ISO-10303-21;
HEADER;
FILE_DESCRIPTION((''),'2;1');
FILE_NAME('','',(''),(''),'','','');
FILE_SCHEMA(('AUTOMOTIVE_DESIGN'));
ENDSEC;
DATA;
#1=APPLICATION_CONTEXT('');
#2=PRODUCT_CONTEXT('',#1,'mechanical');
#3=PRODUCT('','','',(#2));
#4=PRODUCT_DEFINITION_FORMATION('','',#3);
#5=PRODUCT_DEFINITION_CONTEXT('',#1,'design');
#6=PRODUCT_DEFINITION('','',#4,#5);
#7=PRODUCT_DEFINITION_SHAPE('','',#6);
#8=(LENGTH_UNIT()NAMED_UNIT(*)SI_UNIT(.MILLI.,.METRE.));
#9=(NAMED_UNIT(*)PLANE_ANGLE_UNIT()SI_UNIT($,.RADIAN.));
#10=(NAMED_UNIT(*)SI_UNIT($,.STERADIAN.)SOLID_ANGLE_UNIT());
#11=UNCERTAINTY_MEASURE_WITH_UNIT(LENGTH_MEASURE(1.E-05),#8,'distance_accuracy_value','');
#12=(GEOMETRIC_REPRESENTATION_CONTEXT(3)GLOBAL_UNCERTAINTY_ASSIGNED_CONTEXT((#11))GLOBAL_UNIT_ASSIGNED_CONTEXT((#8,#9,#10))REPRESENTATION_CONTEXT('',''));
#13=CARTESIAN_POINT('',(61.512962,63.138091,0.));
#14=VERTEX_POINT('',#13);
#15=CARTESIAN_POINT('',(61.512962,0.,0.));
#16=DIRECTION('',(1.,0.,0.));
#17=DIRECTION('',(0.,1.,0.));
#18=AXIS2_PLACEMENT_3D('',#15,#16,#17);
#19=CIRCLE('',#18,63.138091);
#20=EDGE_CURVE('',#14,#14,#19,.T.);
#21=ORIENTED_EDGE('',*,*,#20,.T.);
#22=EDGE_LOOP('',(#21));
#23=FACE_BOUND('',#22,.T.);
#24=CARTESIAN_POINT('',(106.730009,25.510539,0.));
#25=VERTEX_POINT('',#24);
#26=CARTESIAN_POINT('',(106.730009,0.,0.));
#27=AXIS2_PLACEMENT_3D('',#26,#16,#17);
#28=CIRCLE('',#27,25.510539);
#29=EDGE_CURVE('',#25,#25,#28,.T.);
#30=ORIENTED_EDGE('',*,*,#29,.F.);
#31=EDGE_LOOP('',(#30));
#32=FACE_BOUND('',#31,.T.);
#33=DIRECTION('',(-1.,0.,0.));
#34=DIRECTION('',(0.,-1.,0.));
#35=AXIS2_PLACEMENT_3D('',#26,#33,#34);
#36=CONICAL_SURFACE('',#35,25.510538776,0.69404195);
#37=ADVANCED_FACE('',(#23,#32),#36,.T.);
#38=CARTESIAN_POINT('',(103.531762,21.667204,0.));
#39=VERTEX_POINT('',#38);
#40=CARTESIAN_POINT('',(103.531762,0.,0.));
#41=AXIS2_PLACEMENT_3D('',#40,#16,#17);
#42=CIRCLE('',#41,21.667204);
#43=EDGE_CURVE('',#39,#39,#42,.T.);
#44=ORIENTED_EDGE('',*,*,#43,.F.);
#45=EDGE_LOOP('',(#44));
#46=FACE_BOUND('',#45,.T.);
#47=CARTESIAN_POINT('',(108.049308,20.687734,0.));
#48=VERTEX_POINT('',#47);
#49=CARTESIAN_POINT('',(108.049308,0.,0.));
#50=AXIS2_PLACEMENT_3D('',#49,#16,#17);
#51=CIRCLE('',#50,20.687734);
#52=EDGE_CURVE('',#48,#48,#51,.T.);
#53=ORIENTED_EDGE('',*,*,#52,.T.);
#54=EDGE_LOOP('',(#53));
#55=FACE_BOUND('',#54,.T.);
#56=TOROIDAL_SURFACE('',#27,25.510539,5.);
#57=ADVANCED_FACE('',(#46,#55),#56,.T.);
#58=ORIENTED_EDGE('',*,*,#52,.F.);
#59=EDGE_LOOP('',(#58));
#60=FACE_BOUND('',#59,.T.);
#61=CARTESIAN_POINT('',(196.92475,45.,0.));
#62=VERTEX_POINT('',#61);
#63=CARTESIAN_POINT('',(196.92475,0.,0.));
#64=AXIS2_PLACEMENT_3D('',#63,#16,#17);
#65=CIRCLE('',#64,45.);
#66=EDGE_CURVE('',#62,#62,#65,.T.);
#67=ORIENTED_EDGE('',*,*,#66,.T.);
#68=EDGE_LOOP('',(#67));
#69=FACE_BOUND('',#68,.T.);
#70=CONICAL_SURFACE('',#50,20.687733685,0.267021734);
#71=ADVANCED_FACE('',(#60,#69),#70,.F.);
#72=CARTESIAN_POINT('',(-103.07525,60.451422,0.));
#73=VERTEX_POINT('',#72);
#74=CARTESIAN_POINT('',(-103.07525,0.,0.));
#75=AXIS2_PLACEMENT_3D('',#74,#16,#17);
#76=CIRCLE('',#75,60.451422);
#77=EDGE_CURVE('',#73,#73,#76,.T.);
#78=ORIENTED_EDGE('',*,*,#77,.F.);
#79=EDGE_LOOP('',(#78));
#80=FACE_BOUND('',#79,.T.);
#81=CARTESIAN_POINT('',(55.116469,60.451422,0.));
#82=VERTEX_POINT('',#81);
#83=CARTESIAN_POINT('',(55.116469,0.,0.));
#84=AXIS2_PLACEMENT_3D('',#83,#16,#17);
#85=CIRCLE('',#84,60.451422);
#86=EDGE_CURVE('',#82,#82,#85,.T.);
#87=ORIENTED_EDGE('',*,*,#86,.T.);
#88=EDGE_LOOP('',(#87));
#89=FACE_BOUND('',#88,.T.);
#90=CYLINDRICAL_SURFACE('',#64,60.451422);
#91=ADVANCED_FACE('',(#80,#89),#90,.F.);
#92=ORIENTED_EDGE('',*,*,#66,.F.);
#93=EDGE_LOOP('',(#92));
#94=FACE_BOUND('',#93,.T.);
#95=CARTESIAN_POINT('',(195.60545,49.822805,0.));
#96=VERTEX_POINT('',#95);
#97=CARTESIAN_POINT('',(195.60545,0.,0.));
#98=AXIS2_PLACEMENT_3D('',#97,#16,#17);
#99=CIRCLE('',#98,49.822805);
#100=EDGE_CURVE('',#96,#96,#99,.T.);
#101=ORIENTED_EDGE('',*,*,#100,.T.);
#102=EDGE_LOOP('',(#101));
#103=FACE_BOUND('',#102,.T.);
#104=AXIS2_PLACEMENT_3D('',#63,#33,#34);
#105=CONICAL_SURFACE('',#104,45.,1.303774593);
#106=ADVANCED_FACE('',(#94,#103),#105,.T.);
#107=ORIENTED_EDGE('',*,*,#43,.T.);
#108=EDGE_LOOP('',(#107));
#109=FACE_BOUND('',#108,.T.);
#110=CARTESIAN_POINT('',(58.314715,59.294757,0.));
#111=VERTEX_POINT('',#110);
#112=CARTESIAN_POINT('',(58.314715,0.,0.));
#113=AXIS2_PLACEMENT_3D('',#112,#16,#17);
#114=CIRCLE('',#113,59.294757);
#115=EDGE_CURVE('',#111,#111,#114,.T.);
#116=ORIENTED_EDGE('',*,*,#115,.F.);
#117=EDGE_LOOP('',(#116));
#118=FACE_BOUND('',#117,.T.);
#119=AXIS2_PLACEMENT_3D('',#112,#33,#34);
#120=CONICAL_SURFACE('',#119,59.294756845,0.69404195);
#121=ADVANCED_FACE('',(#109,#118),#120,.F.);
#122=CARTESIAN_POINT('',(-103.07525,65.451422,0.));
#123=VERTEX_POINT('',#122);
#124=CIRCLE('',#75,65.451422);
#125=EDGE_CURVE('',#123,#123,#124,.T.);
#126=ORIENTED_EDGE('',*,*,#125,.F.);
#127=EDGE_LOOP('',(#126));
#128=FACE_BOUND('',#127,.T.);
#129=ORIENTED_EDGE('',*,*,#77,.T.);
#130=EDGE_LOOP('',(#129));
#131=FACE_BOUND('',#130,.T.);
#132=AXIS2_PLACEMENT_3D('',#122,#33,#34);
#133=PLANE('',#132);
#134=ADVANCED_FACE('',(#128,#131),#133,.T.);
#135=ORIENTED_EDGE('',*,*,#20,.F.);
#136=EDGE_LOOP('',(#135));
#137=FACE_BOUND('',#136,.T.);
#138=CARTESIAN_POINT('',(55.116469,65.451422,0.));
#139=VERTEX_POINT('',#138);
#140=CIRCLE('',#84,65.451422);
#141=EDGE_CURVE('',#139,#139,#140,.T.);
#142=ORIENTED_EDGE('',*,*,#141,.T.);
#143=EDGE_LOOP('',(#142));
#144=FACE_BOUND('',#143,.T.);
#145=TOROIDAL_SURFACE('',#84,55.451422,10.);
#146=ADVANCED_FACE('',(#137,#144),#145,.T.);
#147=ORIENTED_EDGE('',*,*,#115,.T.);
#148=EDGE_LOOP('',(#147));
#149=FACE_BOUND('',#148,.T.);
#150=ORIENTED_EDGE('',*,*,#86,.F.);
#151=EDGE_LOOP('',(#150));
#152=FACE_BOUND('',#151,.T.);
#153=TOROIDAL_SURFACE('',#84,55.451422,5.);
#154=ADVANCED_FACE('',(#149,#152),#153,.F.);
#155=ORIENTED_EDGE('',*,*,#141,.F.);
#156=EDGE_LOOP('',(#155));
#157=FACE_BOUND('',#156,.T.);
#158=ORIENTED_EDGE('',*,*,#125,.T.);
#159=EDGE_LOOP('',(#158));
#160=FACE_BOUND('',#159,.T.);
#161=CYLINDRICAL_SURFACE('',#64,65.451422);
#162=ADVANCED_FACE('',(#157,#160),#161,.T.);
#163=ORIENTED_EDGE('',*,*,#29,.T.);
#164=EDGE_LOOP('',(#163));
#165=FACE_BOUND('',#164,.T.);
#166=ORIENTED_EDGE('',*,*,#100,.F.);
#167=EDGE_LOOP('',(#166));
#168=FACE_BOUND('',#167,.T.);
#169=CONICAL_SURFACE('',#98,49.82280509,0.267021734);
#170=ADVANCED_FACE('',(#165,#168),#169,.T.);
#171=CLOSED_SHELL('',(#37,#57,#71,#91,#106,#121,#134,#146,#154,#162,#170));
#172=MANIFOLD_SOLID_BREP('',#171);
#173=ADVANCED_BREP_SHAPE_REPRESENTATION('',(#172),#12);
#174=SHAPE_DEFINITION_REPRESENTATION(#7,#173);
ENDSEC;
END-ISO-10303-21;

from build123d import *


with BuildPart() as part:
    # Sketch4 → Revolve3 (revolve)
    with BuildSketch(Plane.XY):
        with BuildLine():
            Line((-103.075250338, 65.451422493), (55.11646874, 65.451422493))
            ThreePointArc((55.11646874, 65.451422493), (58.517447493, 64.855322935), (61.51296186, 63.138091197))
            Line((61.51296186, 63.138091197), (106.730008788, 25.510538776))
            Line((106.730008788, 25.510538776), (195.605450204, 49.82280509))
            Line((195.605450204, 49.82280509), (196.924749662, 45))
            Line((196.924749662, 45), (108.049308246, 20.687733685))
            ThreePointArc((108.049308246, 20.687733685), (105.670550773, 20.624072904), (103.531762227, 21.667204424))
            Line((103.531762227, 21.667204424), (58.3147153, 59.294756845))
            ThreePointArc((58.3147153, 59.294756845), (56.816958116, 60.153372714), (55.11646874, 60.451422493))
            Line((55.11646874, 60.451422493), (-103.075250338, 60.451422493))
            Line((-103.075250338, 60.451422493), (-103.075250338, 65.451422493))
        make_face()
    revolve(axis=Axis((196.924749662, 0, 0), (-1, 0, 0)))


solid = part.part
